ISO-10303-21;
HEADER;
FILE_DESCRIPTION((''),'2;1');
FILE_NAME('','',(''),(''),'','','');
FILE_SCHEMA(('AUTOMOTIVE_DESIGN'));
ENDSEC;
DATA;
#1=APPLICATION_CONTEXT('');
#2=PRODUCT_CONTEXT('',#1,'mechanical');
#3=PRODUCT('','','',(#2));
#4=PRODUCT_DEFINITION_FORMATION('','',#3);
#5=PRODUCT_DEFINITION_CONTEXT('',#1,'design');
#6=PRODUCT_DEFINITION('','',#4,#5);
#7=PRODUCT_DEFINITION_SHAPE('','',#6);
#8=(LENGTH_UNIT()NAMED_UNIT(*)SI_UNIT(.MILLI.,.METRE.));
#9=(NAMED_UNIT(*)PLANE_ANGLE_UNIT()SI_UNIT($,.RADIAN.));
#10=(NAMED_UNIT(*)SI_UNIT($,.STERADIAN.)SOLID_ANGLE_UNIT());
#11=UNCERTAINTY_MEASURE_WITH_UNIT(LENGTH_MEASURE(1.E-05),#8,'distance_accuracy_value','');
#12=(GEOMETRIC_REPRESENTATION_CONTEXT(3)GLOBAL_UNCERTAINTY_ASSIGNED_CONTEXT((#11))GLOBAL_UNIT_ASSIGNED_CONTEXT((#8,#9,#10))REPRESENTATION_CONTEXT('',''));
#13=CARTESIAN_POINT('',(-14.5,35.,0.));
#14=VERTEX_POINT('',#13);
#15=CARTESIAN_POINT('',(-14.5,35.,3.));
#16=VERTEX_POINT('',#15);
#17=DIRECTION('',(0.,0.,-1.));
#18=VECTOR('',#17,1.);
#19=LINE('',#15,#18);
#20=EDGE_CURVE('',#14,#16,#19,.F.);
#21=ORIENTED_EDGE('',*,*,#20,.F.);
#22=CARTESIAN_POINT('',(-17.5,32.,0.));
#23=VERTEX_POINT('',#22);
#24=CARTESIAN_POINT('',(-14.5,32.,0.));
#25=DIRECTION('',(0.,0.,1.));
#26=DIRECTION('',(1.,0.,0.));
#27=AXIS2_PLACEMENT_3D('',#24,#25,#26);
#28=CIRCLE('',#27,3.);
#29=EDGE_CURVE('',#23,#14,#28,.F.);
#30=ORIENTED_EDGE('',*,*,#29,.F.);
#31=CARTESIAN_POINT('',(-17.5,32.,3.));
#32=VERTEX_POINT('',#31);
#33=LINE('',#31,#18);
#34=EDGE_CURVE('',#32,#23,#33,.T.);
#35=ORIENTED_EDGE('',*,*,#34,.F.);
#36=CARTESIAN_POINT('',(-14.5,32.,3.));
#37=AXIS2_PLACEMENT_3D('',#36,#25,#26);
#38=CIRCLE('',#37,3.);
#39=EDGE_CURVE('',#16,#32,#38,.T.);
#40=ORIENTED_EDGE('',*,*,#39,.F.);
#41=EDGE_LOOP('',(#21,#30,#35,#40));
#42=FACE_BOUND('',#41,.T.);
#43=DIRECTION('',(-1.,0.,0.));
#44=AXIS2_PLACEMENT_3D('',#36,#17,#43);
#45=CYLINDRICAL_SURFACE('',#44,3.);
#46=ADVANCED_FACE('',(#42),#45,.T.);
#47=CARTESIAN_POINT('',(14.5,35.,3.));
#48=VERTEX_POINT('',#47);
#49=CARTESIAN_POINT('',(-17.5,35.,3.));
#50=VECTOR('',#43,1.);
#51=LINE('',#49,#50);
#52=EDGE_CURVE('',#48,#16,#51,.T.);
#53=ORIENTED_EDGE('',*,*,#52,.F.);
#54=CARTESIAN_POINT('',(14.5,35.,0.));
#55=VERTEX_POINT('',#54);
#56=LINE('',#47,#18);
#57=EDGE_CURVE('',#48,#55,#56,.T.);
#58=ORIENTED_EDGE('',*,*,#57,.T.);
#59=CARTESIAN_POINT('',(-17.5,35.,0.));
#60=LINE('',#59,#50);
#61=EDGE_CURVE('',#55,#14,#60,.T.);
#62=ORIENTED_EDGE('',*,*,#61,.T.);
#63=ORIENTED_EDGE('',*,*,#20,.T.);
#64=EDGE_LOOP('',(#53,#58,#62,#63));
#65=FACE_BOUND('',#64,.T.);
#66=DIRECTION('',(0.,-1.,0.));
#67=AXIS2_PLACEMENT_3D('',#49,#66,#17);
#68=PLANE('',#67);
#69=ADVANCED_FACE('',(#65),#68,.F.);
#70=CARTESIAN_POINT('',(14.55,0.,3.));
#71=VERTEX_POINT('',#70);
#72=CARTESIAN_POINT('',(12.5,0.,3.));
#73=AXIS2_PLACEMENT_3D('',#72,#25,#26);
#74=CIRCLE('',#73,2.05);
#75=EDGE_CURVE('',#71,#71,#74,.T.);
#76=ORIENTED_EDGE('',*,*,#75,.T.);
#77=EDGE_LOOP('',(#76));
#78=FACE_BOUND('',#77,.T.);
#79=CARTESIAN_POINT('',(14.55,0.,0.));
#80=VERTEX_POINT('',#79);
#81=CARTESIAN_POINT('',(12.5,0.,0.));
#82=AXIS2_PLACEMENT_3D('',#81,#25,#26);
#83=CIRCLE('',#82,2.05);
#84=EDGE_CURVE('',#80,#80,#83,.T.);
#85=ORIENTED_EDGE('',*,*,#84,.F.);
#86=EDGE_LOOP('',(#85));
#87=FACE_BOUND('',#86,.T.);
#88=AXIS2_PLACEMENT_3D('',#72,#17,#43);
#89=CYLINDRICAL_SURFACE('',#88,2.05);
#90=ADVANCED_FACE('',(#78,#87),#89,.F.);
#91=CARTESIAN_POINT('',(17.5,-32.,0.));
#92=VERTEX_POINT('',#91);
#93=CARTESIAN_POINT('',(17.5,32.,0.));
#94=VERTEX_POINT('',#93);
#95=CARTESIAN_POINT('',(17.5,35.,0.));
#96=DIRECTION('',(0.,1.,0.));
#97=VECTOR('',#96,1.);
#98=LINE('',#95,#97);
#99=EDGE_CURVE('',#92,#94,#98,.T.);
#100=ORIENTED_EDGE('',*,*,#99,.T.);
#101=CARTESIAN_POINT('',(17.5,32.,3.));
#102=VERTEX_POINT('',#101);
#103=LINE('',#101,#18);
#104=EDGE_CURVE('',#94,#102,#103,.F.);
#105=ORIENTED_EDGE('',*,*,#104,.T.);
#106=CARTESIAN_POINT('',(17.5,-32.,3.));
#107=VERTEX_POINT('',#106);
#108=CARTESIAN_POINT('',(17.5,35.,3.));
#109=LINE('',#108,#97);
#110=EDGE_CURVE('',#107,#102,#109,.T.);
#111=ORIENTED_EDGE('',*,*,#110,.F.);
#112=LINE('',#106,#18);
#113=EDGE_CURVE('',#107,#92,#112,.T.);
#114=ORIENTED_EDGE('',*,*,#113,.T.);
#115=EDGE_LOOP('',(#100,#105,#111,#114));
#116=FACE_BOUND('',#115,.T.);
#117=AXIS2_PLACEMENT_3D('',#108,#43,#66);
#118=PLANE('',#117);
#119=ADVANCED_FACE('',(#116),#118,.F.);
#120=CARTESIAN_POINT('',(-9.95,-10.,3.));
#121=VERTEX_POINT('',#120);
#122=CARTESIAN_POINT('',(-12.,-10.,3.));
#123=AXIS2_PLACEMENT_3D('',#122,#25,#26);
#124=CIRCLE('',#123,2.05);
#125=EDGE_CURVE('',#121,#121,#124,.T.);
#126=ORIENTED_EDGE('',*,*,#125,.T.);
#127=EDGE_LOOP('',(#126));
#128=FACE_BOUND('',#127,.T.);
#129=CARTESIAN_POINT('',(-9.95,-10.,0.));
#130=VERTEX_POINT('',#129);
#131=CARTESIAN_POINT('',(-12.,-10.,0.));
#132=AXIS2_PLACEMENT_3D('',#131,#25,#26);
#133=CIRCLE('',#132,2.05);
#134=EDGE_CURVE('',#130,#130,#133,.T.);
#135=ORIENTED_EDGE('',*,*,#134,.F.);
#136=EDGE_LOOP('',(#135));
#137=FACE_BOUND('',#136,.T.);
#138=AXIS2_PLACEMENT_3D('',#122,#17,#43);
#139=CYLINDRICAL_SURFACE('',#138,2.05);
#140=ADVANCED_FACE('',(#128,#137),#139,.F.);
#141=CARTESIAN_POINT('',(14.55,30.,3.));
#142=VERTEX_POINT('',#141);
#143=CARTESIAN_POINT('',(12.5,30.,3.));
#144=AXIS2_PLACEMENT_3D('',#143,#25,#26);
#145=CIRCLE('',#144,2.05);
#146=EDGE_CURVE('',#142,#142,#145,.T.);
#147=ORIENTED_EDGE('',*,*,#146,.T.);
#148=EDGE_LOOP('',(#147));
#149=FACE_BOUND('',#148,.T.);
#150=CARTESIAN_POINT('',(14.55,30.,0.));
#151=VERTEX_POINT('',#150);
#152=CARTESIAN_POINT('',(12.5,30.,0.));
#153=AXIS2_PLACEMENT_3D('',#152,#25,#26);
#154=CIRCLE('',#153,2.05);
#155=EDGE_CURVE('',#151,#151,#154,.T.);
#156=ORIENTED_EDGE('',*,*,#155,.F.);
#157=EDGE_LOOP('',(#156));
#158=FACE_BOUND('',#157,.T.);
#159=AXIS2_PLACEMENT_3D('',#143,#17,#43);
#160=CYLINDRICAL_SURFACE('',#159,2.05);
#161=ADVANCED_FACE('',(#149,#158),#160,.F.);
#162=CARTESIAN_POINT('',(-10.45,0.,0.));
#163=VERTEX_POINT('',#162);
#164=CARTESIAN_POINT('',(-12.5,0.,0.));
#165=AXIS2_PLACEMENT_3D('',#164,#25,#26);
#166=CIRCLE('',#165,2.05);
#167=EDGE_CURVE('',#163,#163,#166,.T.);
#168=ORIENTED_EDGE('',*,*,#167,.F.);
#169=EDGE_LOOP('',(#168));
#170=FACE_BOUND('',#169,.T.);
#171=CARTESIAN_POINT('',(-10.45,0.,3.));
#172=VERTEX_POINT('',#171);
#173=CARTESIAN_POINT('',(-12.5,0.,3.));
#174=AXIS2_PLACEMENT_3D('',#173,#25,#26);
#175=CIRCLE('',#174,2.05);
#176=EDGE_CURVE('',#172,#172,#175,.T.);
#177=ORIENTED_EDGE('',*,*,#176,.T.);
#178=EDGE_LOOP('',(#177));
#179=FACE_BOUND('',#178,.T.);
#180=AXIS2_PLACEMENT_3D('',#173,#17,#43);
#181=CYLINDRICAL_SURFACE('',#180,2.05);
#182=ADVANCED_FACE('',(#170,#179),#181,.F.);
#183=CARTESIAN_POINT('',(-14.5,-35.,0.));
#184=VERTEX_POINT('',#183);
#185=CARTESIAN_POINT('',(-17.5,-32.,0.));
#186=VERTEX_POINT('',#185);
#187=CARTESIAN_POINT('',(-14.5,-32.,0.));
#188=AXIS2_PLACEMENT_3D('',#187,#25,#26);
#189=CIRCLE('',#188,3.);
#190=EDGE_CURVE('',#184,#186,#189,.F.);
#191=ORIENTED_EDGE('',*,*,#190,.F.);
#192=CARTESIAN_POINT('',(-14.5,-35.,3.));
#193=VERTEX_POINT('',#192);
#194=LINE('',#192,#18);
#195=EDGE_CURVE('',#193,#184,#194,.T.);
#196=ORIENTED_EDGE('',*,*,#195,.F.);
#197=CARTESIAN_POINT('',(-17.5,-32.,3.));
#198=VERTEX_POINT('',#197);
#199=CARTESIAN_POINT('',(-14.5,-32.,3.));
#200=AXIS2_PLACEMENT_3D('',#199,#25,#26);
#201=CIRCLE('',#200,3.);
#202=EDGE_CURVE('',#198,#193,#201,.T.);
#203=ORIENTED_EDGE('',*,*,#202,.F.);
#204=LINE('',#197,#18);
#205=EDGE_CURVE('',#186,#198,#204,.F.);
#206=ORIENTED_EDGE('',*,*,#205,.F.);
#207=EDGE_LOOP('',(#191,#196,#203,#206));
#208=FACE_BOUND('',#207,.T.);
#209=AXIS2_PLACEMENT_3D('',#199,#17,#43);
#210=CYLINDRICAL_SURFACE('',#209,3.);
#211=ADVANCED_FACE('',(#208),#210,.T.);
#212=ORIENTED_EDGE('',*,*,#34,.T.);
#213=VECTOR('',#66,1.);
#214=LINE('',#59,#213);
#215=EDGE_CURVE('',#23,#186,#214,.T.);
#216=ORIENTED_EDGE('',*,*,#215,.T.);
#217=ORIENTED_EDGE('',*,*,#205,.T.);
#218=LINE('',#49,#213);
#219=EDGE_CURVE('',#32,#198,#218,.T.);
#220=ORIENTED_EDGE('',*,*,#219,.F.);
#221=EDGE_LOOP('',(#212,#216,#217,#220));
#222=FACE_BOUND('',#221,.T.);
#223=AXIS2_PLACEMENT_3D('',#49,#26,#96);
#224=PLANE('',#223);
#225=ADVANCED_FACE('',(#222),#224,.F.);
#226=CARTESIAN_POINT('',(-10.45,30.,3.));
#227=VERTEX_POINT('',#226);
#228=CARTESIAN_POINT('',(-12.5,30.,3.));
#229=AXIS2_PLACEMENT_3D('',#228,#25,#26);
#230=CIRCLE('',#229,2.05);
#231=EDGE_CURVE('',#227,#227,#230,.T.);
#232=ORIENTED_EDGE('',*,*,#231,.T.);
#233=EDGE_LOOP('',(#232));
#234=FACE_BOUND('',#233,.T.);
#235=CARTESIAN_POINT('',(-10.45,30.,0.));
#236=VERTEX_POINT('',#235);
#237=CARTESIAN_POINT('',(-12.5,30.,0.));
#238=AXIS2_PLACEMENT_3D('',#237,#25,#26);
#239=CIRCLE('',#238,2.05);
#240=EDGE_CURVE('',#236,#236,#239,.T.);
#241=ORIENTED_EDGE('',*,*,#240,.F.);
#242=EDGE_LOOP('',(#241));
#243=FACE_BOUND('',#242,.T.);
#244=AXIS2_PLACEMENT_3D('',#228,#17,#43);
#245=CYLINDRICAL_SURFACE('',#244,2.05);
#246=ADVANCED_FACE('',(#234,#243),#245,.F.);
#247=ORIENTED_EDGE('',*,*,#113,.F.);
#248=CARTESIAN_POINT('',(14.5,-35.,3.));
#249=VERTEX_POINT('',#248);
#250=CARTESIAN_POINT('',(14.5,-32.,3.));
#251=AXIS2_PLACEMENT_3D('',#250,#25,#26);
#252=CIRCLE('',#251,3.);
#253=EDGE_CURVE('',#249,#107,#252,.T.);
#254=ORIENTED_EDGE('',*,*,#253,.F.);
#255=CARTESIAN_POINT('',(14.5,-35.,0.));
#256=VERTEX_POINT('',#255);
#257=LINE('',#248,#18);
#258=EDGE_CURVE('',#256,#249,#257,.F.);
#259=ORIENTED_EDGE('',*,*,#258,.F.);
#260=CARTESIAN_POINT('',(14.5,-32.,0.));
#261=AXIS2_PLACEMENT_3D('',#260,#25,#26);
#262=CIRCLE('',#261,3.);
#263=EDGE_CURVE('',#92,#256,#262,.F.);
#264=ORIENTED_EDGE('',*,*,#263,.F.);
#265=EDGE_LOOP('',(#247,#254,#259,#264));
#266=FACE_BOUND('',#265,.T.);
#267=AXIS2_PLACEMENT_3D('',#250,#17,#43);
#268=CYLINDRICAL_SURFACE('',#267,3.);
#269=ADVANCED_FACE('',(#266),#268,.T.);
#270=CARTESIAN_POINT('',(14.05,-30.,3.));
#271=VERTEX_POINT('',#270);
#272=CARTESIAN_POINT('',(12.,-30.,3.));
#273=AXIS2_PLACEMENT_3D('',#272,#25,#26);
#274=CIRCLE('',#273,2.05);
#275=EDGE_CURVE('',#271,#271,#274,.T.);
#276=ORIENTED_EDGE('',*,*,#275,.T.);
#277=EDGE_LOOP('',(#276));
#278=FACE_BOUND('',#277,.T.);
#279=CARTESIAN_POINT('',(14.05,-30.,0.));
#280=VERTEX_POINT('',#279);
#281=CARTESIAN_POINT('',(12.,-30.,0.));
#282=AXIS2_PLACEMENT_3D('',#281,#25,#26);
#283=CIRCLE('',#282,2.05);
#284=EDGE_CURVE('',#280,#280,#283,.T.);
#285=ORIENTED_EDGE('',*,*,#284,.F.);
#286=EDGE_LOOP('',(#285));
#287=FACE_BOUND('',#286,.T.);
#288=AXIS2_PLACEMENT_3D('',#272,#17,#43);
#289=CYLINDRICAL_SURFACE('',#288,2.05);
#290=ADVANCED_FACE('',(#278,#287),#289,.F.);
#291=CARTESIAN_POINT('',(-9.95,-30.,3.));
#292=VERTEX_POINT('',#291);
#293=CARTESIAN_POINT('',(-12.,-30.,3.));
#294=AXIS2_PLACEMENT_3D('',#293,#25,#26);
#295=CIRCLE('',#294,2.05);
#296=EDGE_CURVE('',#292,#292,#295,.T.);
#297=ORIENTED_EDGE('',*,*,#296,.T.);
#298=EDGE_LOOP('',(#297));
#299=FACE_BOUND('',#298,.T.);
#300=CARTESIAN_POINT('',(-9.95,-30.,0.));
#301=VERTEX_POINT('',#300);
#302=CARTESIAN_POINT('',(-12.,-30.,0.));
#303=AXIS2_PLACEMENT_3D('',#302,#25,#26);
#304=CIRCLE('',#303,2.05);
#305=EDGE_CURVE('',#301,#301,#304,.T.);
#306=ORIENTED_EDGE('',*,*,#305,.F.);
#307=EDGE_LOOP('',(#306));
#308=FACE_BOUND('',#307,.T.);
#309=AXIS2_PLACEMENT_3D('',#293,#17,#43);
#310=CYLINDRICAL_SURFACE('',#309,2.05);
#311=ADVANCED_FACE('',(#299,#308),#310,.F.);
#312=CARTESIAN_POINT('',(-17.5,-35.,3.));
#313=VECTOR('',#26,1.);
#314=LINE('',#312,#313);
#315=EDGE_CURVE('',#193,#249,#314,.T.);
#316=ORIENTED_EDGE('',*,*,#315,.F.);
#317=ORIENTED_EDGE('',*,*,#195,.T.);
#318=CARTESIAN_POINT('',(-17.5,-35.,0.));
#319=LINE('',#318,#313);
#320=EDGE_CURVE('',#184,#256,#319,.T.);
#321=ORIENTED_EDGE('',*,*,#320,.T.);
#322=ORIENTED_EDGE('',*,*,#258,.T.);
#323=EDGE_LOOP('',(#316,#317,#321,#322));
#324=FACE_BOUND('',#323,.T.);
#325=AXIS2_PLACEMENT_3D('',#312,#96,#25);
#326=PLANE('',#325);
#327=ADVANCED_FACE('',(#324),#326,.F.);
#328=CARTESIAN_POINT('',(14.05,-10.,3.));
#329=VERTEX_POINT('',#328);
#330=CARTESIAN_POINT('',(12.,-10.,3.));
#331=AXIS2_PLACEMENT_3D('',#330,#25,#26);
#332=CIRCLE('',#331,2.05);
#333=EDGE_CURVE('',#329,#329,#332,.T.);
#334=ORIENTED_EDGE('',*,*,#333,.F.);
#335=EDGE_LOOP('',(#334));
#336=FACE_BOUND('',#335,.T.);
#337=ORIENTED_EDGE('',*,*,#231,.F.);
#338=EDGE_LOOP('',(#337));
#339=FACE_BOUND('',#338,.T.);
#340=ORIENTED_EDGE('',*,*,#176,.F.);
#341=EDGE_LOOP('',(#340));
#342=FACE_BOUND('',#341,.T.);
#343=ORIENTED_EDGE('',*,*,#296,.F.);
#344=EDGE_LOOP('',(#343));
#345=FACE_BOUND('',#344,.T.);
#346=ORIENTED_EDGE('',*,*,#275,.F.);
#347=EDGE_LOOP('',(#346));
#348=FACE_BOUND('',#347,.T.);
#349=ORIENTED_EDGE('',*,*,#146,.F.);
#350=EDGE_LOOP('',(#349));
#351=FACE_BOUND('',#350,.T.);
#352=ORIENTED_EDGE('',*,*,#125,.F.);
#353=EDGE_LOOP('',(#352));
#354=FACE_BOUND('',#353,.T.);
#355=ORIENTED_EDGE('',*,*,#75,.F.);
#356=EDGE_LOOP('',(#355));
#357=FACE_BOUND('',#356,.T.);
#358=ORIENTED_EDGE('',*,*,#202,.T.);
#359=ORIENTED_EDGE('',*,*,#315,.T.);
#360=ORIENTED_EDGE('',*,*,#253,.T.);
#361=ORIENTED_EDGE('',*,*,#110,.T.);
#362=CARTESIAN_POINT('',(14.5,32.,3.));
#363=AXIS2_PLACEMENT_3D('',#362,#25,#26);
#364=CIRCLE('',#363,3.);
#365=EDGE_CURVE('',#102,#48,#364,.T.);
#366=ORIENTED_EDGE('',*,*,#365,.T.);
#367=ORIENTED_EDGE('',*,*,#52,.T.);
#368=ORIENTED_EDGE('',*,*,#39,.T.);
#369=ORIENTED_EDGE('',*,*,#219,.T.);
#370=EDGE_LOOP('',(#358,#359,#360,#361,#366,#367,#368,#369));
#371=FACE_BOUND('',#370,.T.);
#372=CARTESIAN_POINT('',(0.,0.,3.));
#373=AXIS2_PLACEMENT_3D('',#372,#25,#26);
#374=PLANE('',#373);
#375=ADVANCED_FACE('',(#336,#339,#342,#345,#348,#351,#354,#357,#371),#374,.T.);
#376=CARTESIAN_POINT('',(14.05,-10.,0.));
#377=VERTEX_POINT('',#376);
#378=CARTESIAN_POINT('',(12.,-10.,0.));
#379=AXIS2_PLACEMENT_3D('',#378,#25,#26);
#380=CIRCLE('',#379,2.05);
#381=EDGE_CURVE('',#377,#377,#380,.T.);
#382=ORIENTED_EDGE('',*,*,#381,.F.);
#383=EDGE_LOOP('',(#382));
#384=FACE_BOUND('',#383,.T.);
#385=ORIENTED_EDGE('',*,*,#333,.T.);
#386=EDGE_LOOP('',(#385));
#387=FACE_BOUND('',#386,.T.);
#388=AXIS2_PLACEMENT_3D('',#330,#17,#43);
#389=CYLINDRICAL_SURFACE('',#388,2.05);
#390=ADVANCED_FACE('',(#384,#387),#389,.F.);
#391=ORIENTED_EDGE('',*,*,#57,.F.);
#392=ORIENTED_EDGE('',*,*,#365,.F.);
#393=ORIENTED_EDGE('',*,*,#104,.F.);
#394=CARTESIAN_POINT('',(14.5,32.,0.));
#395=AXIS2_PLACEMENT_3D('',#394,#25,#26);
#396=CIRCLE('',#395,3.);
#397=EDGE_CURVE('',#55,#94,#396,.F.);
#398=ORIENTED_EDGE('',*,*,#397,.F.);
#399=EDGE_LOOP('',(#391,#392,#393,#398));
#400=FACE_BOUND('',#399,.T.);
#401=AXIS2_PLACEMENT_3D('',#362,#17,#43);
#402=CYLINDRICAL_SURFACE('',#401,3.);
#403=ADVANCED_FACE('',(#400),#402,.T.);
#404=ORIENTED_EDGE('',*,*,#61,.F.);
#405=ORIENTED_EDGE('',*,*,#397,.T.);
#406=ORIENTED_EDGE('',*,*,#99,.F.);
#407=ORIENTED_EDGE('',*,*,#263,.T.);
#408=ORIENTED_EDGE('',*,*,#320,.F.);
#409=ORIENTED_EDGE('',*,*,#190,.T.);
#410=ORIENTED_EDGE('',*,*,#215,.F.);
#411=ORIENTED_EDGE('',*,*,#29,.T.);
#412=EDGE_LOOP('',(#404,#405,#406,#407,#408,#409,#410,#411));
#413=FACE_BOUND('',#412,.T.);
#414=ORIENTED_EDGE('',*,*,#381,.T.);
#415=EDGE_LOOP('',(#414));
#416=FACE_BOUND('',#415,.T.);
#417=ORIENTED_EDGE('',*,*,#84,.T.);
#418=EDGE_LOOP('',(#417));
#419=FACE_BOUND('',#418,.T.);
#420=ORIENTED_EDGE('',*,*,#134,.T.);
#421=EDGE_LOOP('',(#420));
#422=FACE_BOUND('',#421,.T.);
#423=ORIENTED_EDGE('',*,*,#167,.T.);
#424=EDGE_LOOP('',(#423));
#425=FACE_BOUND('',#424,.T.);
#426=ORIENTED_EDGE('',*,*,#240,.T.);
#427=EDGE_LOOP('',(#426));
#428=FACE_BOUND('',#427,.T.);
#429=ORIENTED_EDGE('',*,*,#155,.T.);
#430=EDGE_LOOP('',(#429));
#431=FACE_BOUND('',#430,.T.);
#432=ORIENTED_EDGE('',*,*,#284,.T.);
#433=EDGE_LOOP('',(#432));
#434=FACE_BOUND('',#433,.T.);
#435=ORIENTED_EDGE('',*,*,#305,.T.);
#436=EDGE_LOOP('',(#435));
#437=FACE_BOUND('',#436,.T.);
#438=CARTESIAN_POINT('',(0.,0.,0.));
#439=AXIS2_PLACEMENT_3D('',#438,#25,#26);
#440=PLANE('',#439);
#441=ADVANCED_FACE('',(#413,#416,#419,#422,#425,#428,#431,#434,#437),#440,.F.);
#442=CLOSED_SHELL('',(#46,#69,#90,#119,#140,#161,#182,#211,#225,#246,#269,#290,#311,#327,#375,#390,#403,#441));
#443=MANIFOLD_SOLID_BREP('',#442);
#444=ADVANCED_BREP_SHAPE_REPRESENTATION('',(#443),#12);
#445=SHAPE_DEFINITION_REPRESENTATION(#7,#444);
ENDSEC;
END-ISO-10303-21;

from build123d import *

# Parameters (mm, degrees)
SKETCH_1_W      = 35
SKETCH_1_H      = 70
SKETCH_1_R      = 2.05
EXTRUDE_1_DEPTH = 3
FILLET_1_R      = 3


with BuildPart() as part:
    # 草图1 → 凸台-拉伸1 (new body)
    with BuildSketch(Plane.XY):
        Rectangle(SKETCH_1_W, SKETCH_1_H)
        with Locations((-12.5, 30)):
            Circle(SKETCH_1_R, mode=Mode.SUBTRACT)
        with Locations((-12.5, 0)):
            Circle(SKETCH_1_R, mode=Mode.SUBTRACT)
        with Locations((12.5, 0)):
            Circle(SKETCH_1_R, mode=Mode.SUBTRACT)
        with Locations((12.5, 30)):
            Circle(SKETCH_1_R, mode=Mode.SUBTRACT)
        with Locations((-12, -10)):
            Circle(SKETCH_1_R, mode=Mode.SUBTRACT)
        with Locations((-12, -30)):
            Circle(SKETCH_1_R, mode=Mode.SUBTRACT)
        with Locations((12, -30)):
            Circle(SKETCH_1_R, mode=Mode.SUBTRACT)
        with Locations((12, -10)):
            Circle(SKETCH_1_R, mode=Mode.SUBTRACT)
    extrude(amount=EXTRUDE_1_DEPTH)

    # 圆角1
    fillet_1_edges = [part.edges().sort_by_distance(p)[0] for p in [
        (17.5, -35, 1.5),
        (-17.5, -35, 1.5),
        (-17.5, 35, 1.5),
        (17.5, 35, 1.5),
    ]]
    fillet(fillet_1_edges, radius=FILLET_1_R)


solid = part.part
